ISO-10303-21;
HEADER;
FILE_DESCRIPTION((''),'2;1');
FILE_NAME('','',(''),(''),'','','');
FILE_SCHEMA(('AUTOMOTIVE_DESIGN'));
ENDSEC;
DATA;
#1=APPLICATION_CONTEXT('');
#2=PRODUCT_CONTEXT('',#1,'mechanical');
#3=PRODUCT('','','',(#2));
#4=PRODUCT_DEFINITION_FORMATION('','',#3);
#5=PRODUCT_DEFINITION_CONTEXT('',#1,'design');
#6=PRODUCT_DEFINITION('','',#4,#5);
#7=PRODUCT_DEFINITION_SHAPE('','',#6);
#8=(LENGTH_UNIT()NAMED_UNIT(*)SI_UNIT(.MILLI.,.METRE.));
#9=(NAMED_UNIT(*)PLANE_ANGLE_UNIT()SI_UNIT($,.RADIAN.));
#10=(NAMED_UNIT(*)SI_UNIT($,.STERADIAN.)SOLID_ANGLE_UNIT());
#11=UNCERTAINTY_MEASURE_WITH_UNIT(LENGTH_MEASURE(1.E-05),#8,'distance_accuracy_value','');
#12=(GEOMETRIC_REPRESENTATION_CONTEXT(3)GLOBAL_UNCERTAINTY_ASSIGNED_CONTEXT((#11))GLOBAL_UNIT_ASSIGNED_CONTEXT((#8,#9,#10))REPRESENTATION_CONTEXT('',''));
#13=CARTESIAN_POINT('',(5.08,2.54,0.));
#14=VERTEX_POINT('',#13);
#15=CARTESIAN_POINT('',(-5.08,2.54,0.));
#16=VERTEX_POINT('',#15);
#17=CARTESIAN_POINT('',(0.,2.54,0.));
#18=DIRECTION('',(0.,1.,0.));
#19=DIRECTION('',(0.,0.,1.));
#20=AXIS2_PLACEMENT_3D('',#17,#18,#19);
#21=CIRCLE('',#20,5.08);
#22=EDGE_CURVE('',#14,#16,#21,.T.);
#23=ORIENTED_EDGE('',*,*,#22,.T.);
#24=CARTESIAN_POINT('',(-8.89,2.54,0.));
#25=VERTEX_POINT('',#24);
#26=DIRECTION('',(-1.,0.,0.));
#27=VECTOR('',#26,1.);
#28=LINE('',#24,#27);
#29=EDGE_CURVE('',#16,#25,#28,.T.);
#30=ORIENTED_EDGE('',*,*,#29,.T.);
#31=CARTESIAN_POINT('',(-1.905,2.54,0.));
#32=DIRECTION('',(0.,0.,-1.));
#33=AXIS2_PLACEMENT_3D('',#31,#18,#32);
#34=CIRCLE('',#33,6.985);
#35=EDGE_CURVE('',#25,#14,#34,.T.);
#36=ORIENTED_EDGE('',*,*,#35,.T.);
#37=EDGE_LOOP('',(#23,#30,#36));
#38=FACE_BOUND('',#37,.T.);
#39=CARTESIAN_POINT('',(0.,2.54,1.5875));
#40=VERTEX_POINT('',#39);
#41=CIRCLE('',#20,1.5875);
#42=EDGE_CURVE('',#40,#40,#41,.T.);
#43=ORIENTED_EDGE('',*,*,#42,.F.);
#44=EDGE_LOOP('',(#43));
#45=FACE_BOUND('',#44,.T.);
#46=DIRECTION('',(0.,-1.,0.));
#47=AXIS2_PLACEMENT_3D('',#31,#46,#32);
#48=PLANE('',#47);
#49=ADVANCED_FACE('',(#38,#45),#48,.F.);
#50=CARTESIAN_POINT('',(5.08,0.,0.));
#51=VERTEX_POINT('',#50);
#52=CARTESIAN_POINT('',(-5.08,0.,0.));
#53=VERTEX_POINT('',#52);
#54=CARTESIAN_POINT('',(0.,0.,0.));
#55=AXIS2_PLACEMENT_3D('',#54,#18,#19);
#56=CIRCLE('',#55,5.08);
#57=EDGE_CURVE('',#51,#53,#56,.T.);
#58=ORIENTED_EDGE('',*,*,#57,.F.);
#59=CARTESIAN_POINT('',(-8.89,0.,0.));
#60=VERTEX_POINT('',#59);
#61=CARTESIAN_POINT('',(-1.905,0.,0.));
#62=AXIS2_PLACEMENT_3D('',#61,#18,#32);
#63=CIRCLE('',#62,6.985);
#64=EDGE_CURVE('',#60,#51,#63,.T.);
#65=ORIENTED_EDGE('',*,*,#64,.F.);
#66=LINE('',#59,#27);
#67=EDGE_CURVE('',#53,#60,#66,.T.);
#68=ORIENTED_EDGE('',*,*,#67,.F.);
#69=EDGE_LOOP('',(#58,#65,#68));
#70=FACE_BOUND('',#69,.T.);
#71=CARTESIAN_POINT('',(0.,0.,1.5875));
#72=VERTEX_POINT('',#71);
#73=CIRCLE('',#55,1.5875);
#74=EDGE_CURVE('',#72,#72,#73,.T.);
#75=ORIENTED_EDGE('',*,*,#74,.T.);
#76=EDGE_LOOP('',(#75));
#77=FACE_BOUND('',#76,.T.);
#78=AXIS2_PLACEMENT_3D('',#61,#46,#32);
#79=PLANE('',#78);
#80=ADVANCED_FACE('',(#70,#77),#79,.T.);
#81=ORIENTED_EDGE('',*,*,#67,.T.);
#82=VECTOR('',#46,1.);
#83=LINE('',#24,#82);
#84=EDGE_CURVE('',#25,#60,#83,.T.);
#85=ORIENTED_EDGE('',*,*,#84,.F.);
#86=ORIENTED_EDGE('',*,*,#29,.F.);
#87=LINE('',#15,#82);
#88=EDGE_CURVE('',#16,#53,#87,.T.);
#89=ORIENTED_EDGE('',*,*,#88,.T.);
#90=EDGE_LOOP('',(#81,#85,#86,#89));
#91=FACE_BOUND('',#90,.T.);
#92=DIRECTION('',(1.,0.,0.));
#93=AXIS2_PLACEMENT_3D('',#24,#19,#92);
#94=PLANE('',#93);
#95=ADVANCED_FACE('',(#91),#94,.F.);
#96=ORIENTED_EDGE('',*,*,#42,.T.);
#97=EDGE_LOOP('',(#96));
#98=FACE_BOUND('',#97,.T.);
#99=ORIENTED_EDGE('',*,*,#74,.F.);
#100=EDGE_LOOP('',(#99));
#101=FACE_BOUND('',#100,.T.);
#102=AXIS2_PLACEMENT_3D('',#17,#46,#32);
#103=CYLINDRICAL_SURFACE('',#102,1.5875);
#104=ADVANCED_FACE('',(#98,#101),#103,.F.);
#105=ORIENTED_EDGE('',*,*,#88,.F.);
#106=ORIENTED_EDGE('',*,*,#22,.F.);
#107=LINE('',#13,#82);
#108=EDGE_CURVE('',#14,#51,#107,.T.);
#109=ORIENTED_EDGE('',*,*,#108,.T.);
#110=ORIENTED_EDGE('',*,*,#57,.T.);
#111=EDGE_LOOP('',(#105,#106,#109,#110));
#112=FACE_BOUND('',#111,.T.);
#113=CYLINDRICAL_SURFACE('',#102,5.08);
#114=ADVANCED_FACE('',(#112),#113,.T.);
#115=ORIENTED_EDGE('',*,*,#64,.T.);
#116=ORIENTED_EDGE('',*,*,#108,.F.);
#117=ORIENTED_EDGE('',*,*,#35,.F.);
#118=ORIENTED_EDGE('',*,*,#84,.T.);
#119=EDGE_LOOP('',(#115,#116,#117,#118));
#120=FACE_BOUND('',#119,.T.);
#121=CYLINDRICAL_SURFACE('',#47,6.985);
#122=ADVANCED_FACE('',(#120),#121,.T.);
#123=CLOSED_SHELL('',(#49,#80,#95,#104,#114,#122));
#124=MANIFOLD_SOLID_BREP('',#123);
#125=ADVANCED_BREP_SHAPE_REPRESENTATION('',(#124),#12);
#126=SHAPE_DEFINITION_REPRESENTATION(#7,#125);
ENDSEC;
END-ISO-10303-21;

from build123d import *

# Parameters (mm, degrees)
SKETCH1_R           = 1.5875
BOSS_EXTRUDE1_DEPTH = 2.54


with BuildPart() as part:
    # Sketch1 → Boss-Extrude1 (new body)
    with BuildSketch(Plane(origin=(0, 0, 0), x_dir=(1, 0, 0), z_dir=(0, 1, 0))):
        with BuildLine():
            Line((-8.89, 0), (-5.08, 0))
            ThreePointArc((-5.08, 0), (0, 5.08), (5.08, 0))
            ThreePointArc((5.08, 0), (-1.905, -6.985), (-8.89, 0))
        make_face()
        with Locations(Location((0, 0, 0), (0, 0, 270))):
            Circle(SKETCH1_R, mode=Mode.SUBTRACT)
    extrude(amount=BOSS_EXTRUDE1_DEPTH)


solid = part.part
